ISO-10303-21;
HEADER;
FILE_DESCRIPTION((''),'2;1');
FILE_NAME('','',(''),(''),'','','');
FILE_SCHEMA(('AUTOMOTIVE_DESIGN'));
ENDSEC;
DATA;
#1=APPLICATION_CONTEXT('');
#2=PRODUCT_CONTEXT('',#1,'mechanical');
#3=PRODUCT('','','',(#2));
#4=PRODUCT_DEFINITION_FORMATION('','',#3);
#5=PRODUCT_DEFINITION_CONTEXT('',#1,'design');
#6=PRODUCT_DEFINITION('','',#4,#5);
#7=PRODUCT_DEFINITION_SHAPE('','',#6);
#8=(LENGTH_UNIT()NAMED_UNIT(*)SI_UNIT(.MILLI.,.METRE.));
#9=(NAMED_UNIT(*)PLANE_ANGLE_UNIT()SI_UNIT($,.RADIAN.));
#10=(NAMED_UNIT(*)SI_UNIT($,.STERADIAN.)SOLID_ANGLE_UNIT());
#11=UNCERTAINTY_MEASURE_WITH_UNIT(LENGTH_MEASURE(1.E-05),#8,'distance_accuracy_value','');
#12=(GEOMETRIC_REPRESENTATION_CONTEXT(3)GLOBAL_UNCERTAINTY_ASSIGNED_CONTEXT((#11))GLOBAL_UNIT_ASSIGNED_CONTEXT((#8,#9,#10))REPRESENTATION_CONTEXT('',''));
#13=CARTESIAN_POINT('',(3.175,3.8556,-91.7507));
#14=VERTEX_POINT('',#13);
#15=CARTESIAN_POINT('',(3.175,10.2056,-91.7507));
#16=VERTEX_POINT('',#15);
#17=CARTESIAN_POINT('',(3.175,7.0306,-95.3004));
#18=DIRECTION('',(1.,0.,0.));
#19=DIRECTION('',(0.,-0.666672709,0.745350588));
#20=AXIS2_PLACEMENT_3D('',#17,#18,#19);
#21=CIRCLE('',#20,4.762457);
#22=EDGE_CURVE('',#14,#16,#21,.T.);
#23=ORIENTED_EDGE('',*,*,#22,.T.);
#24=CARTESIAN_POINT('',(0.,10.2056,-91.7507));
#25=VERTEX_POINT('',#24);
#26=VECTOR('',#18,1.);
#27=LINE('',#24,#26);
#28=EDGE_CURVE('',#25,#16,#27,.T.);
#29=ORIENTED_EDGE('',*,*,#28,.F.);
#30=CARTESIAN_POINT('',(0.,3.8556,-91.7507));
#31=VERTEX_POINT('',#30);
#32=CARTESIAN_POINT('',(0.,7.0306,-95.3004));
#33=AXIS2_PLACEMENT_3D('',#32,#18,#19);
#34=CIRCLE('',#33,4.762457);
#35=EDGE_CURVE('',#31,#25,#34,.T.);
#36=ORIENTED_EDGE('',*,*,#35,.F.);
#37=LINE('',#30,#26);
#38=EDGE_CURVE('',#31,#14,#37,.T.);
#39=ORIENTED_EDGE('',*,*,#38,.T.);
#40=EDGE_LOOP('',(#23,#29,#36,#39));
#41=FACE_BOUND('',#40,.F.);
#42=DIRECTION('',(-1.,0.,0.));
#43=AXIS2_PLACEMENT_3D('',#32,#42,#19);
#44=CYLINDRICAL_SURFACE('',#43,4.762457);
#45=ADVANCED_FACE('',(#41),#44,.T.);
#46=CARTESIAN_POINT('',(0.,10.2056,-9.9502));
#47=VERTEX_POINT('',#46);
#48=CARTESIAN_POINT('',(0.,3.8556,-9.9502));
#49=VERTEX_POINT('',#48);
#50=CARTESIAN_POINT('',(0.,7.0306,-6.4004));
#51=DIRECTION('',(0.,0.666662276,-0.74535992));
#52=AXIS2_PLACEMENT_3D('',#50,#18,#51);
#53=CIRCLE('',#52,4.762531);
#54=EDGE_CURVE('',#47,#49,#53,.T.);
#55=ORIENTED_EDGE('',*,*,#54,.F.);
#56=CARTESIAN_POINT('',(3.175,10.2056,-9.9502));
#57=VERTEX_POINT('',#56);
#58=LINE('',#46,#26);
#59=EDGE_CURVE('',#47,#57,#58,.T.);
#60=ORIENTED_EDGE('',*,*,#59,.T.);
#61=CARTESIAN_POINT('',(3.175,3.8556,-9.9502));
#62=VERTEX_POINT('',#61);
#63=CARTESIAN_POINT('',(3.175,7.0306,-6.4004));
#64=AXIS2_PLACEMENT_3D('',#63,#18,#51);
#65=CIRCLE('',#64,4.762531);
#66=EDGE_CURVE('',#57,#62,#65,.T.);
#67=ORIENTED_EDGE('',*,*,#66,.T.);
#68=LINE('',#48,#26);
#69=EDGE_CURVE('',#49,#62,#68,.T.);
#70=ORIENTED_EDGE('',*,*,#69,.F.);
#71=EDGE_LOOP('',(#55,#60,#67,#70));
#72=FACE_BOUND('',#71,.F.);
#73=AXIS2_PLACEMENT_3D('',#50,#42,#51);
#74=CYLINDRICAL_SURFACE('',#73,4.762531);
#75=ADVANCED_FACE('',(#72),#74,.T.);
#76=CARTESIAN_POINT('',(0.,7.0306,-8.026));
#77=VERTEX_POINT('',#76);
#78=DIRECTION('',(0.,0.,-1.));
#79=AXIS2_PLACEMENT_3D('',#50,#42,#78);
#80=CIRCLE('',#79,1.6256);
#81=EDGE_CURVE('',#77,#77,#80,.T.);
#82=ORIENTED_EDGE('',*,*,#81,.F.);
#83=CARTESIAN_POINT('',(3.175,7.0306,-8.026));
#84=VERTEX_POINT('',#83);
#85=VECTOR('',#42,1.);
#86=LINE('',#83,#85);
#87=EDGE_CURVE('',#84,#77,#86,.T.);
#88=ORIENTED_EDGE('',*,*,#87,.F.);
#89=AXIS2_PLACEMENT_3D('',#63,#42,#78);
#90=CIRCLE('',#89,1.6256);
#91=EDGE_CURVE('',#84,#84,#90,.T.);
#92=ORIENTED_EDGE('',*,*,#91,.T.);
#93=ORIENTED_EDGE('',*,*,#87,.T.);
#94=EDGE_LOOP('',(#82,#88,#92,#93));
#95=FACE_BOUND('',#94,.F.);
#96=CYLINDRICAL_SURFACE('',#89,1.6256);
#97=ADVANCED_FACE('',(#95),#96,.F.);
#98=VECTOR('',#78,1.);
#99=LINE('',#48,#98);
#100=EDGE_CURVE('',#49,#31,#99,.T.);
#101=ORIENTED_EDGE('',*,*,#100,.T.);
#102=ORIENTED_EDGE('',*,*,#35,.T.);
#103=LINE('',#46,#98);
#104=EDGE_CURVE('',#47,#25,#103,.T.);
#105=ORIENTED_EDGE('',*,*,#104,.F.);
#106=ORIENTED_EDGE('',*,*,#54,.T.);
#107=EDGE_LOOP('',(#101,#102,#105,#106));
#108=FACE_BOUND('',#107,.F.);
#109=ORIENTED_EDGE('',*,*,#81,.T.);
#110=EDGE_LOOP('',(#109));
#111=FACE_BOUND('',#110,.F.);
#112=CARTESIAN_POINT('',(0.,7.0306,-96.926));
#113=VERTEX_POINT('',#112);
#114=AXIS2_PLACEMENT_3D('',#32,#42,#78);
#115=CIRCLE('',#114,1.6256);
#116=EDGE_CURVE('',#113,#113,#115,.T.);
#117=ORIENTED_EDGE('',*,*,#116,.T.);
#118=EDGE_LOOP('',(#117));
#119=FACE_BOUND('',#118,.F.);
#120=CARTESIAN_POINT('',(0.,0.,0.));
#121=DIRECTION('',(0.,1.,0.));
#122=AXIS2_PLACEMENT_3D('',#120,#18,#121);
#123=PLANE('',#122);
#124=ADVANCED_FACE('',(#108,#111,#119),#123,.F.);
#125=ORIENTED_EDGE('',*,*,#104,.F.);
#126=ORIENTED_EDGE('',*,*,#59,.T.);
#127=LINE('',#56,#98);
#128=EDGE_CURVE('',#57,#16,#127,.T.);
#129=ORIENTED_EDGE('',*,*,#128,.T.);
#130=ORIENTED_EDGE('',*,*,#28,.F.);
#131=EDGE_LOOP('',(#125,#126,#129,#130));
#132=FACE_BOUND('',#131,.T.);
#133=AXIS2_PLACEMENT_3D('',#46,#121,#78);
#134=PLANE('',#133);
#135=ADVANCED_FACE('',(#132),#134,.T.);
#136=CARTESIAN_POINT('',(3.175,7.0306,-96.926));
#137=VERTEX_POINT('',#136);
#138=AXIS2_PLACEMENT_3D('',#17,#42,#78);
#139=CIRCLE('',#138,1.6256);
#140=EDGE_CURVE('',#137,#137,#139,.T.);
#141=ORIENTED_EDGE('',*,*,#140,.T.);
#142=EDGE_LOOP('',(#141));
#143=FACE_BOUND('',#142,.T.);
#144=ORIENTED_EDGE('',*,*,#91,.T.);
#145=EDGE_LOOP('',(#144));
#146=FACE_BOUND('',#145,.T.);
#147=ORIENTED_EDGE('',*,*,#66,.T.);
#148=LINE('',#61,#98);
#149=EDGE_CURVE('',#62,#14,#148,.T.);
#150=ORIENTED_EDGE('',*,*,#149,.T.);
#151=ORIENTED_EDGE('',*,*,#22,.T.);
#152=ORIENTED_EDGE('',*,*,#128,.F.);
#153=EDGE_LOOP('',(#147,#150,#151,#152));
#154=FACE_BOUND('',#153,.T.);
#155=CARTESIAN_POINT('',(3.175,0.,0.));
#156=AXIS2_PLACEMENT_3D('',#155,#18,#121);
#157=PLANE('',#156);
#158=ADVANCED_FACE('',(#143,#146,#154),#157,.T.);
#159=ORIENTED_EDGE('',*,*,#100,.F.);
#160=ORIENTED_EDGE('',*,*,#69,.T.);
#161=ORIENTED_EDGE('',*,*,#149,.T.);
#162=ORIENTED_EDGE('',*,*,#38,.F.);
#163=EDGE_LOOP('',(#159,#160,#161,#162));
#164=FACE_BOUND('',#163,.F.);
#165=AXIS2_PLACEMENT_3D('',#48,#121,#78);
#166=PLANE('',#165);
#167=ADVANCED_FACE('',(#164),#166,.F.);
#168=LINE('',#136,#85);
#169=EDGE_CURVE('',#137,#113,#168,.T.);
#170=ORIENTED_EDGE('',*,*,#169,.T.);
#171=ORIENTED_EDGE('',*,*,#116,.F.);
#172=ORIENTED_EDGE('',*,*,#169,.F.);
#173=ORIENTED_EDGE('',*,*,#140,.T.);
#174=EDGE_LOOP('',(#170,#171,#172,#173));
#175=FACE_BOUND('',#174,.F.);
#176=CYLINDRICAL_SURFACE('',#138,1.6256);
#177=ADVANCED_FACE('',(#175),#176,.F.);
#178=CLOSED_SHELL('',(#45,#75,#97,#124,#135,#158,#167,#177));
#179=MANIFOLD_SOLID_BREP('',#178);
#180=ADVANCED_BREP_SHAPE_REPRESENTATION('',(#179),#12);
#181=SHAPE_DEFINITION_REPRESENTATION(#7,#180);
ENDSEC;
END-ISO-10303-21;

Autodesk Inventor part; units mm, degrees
ref_plane "YZ Plane" through (0, 0, 0) normal (1, 0, 0) x (0, 1, 0)
ref_plane "XZ Plane" through (0, 0, 0) normal (0, 1, 0) x (-1, 0, 0)
ref_plane "XY Plane" through (0, 0, 0) normal (0, 0, 1) x (1, 0, 0)
sketch "Sketch1" plane through (0, 0, 0) normal (1, 0, 0) x (0, 1, 0)
  line L0 (10.2056, -9.9502) -> (10.2056, -91.7507)
  arc A0 (10.2056, -9.9502) -> (3.8556, -9.9502) centre (7.0306, -6.4004) ccw
  arc A1 (3.8556, -91.7507) -> (10.2056, -91.7507) centre (7.0306, -95.3004) ccw
  line L1 (3.8556, -9.9502) -> (3.8556, -91.7507)
  point P0 (0, 0)
  dimension "d1" = 88.9
  dimension "d2" = 9.525
  dimension "d5" = 6.35
  dimension "d6" = 9.525
  dimension "d7" = 0
  dimension "d8" = 3.175
extrude "Extrusion1" add sketch "Sketch1" along normal blind 3.175
sketch "Sketch2" plane through (3.175, 0, 0) normal (1, 0, 0) x (0, 0, -1)
  arc A0 (9.9502, 10.2056) -> (9.9502, 3.8556) centre (6.4004, 7.0306) ccw projected
  arc A1 (91.7507, 3.8556) -> (91.7507, 10.2056) centre (95.3004, 7.0306) ccw projected
  point P0 (0, 0)
hole "Hole1" at (3.175, 7.0306, -6.4004) at (3.175, 7.0306, -95.3004) direction (-1, 0, 0) diameter 3.2512 depth 25.4 tip angle 118
properties part number "Linkage Arm"
